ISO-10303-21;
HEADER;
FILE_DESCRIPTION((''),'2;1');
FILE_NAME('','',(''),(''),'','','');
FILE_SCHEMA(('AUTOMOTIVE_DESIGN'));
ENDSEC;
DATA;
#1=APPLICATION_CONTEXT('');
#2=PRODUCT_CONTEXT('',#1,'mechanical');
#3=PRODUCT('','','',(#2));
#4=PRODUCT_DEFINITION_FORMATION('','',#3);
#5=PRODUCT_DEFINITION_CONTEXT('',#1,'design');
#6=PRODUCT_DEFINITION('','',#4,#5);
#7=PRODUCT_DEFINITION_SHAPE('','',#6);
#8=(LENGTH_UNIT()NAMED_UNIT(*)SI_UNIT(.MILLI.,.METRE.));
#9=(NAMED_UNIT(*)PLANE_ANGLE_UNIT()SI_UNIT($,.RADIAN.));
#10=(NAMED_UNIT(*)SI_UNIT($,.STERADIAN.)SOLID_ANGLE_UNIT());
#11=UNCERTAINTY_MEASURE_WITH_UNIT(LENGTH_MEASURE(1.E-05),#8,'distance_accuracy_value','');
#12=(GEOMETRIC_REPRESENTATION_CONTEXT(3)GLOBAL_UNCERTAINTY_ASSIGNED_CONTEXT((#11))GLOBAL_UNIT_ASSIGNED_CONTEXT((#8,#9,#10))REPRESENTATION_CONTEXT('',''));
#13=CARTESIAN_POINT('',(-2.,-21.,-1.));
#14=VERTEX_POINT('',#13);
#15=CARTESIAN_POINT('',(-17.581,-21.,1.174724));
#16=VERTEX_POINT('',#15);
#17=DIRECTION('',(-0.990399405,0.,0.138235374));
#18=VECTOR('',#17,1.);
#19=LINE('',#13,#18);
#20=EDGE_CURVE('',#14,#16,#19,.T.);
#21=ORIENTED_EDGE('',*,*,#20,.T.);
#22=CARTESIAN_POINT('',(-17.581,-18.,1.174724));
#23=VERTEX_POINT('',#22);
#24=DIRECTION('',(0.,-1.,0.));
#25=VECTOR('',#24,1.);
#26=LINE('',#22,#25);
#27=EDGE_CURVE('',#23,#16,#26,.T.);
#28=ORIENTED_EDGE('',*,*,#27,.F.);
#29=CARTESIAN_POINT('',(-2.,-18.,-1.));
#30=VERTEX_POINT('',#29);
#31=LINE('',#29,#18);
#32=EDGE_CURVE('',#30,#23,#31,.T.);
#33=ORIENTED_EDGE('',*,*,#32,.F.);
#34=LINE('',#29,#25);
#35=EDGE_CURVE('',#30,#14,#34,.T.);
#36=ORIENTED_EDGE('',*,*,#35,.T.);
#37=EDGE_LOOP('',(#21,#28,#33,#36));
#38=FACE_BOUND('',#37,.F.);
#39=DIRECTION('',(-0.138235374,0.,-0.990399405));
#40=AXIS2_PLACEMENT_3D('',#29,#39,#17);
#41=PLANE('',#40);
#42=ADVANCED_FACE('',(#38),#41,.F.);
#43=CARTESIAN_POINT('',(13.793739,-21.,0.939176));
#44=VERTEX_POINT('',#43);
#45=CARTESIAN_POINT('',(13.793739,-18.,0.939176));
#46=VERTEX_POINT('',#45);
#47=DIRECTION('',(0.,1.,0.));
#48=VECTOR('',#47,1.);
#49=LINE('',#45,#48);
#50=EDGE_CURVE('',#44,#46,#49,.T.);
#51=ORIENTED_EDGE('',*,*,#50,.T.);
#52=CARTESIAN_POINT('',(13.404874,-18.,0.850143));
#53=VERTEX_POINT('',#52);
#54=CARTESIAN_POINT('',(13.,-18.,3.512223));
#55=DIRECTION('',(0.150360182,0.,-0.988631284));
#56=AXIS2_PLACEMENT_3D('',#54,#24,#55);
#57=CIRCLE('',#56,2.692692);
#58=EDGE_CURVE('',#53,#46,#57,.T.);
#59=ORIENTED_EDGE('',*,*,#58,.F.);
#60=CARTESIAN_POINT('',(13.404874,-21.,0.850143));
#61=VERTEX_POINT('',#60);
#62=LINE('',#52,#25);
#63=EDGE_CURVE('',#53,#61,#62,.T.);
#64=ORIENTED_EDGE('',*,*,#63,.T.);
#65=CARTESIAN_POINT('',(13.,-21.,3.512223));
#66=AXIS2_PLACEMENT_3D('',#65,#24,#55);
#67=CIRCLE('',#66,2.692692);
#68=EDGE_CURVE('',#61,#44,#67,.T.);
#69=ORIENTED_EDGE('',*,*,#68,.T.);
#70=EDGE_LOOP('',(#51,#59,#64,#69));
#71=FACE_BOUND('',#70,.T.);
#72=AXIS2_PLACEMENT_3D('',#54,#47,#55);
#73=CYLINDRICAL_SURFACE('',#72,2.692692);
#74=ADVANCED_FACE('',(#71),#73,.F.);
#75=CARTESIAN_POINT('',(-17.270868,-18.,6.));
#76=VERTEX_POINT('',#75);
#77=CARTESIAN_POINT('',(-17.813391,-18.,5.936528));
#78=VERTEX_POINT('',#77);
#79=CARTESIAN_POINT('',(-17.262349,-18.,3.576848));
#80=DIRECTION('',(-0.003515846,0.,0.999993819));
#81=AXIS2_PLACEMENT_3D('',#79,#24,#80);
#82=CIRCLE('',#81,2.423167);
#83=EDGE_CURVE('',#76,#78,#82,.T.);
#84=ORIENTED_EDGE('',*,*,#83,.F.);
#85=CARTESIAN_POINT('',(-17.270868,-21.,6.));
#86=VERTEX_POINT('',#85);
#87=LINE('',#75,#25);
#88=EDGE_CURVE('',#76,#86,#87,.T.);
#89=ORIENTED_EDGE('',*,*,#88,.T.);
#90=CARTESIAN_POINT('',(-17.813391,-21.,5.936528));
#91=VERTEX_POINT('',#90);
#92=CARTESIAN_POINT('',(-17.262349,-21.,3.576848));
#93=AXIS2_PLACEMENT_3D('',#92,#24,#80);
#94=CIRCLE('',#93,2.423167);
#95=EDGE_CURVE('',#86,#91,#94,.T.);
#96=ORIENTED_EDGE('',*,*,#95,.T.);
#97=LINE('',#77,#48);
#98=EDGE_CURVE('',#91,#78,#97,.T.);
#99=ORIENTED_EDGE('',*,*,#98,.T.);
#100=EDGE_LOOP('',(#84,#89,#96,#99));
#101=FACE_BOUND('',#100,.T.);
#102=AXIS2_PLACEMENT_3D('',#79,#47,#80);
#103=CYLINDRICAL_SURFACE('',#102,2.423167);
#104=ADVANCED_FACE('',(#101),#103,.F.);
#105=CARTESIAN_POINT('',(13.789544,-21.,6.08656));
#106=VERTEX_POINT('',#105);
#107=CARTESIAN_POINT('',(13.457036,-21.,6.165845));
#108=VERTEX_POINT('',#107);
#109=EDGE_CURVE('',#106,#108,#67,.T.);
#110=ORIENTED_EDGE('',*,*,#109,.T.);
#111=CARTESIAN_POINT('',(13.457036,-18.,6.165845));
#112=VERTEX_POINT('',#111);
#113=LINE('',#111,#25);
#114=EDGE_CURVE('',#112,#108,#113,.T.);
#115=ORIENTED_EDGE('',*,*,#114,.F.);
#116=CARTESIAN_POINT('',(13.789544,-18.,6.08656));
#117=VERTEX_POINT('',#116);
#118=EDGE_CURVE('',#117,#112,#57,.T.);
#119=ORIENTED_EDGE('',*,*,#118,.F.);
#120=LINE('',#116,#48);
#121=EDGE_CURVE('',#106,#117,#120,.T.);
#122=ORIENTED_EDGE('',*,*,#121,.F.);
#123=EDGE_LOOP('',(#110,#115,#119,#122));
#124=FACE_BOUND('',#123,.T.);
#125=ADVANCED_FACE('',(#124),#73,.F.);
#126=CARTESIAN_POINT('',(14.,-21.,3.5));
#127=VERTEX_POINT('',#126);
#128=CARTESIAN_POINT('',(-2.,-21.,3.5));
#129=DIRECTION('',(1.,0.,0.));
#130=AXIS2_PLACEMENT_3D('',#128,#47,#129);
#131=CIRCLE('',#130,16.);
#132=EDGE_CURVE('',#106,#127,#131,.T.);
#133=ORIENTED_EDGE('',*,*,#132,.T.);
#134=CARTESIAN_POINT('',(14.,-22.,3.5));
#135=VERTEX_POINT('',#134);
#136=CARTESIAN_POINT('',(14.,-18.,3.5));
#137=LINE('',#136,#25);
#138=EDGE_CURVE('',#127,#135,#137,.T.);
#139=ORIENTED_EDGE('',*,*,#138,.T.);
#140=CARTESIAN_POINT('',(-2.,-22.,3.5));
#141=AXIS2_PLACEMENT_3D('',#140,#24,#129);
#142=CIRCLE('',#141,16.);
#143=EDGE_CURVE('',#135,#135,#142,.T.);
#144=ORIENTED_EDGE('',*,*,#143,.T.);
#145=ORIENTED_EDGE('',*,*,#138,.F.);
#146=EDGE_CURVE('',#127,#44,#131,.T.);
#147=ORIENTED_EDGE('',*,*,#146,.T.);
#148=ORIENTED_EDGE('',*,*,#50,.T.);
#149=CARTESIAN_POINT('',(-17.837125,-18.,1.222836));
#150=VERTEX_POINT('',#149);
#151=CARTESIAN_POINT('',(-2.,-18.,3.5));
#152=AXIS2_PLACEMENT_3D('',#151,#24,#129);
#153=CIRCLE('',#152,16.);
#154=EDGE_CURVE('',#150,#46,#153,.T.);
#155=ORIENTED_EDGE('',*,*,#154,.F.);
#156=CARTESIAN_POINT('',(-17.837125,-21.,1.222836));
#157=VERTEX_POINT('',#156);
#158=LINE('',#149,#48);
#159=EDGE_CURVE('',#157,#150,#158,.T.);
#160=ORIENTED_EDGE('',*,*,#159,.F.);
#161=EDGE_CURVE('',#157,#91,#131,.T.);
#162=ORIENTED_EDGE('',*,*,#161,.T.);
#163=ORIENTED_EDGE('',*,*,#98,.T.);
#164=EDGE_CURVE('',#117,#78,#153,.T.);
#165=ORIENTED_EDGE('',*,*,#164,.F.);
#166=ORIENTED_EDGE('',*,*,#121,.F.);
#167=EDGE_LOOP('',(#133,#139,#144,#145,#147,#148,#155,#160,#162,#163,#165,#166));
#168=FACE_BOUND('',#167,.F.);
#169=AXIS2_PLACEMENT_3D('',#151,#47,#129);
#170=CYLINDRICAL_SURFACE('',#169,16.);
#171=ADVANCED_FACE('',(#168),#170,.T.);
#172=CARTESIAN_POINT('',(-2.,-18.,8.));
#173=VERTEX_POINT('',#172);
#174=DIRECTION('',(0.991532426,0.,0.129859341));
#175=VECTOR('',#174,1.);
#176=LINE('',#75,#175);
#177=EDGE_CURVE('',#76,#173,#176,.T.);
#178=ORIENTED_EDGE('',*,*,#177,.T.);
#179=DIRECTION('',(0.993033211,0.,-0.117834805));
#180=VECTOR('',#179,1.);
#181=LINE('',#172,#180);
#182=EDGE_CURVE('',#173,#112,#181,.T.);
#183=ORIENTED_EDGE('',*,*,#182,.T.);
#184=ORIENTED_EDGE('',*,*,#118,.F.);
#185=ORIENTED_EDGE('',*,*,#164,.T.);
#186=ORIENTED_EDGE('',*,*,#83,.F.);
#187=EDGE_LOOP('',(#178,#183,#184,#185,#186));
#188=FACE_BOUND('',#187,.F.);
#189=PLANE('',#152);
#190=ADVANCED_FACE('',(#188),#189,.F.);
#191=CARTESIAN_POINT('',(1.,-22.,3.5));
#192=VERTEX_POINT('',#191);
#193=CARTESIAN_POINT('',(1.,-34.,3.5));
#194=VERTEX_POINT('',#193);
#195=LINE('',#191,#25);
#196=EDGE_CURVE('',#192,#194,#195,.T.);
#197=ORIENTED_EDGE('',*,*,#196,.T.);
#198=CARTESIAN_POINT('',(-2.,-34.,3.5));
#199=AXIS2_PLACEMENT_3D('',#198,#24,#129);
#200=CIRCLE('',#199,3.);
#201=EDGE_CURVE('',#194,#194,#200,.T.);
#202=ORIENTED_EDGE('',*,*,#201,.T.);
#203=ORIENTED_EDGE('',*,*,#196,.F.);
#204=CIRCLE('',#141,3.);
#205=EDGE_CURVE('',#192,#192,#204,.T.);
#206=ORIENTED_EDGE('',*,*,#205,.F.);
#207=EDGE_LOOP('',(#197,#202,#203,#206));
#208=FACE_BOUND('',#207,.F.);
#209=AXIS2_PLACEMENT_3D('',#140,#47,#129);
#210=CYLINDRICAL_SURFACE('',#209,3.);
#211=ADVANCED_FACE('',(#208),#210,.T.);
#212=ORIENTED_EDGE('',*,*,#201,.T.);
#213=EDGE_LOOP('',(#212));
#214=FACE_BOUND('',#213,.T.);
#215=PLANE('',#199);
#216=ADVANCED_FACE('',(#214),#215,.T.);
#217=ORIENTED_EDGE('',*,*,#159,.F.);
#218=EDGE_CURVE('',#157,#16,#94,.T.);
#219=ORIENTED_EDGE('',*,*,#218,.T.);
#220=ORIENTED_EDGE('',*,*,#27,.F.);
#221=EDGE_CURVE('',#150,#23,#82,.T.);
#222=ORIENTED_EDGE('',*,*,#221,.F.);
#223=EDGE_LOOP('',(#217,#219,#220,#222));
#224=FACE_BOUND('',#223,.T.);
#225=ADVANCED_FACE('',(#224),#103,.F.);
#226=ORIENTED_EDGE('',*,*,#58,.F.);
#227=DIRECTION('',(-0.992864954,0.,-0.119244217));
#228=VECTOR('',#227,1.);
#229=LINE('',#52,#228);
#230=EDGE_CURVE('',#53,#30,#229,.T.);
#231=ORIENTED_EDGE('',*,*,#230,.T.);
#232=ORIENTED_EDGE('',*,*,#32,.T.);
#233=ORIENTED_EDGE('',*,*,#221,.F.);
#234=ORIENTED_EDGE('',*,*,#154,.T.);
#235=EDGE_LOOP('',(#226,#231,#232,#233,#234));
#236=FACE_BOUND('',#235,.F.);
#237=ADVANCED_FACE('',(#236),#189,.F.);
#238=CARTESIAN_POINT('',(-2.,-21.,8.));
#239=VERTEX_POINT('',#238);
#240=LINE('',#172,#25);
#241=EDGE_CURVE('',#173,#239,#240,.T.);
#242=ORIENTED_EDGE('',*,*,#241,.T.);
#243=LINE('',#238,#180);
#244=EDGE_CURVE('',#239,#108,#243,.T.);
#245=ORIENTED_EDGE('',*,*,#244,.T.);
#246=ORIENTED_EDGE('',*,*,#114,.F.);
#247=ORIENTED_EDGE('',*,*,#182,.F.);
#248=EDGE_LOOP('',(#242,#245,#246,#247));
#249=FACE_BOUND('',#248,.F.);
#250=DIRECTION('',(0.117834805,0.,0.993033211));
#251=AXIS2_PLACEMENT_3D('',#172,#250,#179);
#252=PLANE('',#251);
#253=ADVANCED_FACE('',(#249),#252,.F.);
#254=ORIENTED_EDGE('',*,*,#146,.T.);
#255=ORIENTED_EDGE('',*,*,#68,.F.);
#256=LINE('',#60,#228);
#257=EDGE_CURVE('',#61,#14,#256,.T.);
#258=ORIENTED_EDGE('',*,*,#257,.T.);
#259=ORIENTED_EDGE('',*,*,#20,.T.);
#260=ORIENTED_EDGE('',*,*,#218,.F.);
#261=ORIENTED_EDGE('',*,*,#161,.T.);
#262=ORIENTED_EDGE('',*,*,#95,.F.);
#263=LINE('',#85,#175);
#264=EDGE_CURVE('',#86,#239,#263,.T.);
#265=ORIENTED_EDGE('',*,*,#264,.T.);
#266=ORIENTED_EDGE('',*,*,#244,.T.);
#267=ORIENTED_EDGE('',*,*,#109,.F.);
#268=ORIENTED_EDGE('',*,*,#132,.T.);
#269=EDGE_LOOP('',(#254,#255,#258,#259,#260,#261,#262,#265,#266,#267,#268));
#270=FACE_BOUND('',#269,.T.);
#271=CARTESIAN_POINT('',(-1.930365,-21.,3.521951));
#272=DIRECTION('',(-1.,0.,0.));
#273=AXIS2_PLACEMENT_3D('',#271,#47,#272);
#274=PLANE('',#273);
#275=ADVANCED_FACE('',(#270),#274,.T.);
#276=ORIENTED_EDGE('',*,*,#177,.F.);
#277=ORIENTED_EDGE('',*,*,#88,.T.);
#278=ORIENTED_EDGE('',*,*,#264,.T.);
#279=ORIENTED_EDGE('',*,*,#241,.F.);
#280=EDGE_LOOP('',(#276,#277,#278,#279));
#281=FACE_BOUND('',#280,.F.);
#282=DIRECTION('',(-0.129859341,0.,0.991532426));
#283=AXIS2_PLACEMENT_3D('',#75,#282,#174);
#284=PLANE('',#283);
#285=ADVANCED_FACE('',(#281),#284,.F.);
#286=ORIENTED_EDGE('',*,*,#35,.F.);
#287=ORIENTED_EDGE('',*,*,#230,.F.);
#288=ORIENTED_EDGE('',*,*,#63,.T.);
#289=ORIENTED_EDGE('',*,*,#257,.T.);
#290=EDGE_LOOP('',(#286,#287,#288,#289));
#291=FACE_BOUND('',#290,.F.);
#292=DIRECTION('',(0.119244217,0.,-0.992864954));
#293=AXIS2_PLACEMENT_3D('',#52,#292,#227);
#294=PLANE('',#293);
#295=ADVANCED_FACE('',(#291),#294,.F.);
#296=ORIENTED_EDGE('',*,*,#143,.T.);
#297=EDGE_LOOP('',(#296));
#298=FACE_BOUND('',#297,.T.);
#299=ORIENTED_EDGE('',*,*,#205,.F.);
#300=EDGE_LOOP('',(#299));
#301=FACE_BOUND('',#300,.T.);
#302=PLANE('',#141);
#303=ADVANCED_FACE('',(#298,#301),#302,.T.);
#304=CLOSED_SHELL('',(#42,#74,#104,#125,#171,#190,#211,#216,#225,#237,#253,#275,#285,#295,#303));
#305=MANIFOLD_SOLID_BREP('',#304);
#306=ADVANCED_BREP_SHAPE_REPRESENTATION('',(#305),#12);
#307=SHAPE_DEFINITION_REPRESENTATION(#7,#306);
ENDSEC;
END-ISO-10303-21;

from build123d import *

# Parameters (mm, degrees)
CYLINDER031_R          = 3
CYLINDER031_DEPTH      = 12
CYLINDER031_ROLL_ANGLE = 90
PAD018_DEPTH           = 3
CYLINDER032_R          = 16
CYLINDER032_DEPTH      = 4
CYLINDER032_ROLL_ANGLE = 90


with BuildPart() as cylinder022_holder_axis:
    # Cylinder031 → Cylinder031 (new body)
    with BuildSketch(Plane.XY):
        Circle(CYLINDER031_R)
    extrude(amount=CYLINDER031_DEPTH)


with BuildPart() as cylinder022_holder_axis_1:
    # Cylinder031 roll: moved
    add(cylinder022_holder_axis.part.rotate(Axis((0, 0, 0), (1, 0, 0)), CYLINDER031_ROLL_ANGLE))


with BuildPart() as cylinder022_holder_axis_2:
    # Cylinder031 placement: moved
    add(cylinder022_holder_axis_1.part.moved(Location((-2, -22, 3.5))))


with BuildPart() as pad018:
    # Sketch015 → Pad018 (new body)
    with BuildSketch(Plane.XZ.offset(18)):
        with BuildLine():
            Line((-17.270868, 6), (-2, 8))
            Line((-2, 8), (13.457036, 6.165845))
            ThreePointArc((13.404874, 0.850143), (15.692563, 3.485802), (13.457036, 6.165845))
            Line((13.404874, 0.850143), (-2, -1))
            Line((-2, -1), (-17.581, 1.174724))
            ThreePointArc((-17.270868, 6), (-19.680526, 3.73227), (-17.581, 1.174724))
        make_face()
    extrude(amount=PAD018_DEPTH)


with BuildPart() as camera_rotor:
    # Cylinder032 → Cylinder032 (new body)
    with BuildSketch(Plane.XY):
        Circle(CYLINDER032_R)
    extrude(amount=CYLINDER032_DEPTH)


with BuildPart() as camera_rotor_1:
    # Cylinder032 roll: moved
    add(camera_rotor.part.rotate(Axis((0, 0, 0), (1, 0, 0)), CYLINDER032_ROLL_ANGLE))


with BuildPart() as camera_rotor_2:
    # Cylinder032 placement: moved
    add(camera_rotor_1.part.moved(Location((-2, -18, 3.5))))

    # Cut006: cut Pad018
    add(pad018.part, mode=Mode.SUBTRACT)

    # Fusion004: union Cylinder022-holder-axis
    add(cylinder022_holder_axis_2.part)


solid = camera_rotor_2.part
